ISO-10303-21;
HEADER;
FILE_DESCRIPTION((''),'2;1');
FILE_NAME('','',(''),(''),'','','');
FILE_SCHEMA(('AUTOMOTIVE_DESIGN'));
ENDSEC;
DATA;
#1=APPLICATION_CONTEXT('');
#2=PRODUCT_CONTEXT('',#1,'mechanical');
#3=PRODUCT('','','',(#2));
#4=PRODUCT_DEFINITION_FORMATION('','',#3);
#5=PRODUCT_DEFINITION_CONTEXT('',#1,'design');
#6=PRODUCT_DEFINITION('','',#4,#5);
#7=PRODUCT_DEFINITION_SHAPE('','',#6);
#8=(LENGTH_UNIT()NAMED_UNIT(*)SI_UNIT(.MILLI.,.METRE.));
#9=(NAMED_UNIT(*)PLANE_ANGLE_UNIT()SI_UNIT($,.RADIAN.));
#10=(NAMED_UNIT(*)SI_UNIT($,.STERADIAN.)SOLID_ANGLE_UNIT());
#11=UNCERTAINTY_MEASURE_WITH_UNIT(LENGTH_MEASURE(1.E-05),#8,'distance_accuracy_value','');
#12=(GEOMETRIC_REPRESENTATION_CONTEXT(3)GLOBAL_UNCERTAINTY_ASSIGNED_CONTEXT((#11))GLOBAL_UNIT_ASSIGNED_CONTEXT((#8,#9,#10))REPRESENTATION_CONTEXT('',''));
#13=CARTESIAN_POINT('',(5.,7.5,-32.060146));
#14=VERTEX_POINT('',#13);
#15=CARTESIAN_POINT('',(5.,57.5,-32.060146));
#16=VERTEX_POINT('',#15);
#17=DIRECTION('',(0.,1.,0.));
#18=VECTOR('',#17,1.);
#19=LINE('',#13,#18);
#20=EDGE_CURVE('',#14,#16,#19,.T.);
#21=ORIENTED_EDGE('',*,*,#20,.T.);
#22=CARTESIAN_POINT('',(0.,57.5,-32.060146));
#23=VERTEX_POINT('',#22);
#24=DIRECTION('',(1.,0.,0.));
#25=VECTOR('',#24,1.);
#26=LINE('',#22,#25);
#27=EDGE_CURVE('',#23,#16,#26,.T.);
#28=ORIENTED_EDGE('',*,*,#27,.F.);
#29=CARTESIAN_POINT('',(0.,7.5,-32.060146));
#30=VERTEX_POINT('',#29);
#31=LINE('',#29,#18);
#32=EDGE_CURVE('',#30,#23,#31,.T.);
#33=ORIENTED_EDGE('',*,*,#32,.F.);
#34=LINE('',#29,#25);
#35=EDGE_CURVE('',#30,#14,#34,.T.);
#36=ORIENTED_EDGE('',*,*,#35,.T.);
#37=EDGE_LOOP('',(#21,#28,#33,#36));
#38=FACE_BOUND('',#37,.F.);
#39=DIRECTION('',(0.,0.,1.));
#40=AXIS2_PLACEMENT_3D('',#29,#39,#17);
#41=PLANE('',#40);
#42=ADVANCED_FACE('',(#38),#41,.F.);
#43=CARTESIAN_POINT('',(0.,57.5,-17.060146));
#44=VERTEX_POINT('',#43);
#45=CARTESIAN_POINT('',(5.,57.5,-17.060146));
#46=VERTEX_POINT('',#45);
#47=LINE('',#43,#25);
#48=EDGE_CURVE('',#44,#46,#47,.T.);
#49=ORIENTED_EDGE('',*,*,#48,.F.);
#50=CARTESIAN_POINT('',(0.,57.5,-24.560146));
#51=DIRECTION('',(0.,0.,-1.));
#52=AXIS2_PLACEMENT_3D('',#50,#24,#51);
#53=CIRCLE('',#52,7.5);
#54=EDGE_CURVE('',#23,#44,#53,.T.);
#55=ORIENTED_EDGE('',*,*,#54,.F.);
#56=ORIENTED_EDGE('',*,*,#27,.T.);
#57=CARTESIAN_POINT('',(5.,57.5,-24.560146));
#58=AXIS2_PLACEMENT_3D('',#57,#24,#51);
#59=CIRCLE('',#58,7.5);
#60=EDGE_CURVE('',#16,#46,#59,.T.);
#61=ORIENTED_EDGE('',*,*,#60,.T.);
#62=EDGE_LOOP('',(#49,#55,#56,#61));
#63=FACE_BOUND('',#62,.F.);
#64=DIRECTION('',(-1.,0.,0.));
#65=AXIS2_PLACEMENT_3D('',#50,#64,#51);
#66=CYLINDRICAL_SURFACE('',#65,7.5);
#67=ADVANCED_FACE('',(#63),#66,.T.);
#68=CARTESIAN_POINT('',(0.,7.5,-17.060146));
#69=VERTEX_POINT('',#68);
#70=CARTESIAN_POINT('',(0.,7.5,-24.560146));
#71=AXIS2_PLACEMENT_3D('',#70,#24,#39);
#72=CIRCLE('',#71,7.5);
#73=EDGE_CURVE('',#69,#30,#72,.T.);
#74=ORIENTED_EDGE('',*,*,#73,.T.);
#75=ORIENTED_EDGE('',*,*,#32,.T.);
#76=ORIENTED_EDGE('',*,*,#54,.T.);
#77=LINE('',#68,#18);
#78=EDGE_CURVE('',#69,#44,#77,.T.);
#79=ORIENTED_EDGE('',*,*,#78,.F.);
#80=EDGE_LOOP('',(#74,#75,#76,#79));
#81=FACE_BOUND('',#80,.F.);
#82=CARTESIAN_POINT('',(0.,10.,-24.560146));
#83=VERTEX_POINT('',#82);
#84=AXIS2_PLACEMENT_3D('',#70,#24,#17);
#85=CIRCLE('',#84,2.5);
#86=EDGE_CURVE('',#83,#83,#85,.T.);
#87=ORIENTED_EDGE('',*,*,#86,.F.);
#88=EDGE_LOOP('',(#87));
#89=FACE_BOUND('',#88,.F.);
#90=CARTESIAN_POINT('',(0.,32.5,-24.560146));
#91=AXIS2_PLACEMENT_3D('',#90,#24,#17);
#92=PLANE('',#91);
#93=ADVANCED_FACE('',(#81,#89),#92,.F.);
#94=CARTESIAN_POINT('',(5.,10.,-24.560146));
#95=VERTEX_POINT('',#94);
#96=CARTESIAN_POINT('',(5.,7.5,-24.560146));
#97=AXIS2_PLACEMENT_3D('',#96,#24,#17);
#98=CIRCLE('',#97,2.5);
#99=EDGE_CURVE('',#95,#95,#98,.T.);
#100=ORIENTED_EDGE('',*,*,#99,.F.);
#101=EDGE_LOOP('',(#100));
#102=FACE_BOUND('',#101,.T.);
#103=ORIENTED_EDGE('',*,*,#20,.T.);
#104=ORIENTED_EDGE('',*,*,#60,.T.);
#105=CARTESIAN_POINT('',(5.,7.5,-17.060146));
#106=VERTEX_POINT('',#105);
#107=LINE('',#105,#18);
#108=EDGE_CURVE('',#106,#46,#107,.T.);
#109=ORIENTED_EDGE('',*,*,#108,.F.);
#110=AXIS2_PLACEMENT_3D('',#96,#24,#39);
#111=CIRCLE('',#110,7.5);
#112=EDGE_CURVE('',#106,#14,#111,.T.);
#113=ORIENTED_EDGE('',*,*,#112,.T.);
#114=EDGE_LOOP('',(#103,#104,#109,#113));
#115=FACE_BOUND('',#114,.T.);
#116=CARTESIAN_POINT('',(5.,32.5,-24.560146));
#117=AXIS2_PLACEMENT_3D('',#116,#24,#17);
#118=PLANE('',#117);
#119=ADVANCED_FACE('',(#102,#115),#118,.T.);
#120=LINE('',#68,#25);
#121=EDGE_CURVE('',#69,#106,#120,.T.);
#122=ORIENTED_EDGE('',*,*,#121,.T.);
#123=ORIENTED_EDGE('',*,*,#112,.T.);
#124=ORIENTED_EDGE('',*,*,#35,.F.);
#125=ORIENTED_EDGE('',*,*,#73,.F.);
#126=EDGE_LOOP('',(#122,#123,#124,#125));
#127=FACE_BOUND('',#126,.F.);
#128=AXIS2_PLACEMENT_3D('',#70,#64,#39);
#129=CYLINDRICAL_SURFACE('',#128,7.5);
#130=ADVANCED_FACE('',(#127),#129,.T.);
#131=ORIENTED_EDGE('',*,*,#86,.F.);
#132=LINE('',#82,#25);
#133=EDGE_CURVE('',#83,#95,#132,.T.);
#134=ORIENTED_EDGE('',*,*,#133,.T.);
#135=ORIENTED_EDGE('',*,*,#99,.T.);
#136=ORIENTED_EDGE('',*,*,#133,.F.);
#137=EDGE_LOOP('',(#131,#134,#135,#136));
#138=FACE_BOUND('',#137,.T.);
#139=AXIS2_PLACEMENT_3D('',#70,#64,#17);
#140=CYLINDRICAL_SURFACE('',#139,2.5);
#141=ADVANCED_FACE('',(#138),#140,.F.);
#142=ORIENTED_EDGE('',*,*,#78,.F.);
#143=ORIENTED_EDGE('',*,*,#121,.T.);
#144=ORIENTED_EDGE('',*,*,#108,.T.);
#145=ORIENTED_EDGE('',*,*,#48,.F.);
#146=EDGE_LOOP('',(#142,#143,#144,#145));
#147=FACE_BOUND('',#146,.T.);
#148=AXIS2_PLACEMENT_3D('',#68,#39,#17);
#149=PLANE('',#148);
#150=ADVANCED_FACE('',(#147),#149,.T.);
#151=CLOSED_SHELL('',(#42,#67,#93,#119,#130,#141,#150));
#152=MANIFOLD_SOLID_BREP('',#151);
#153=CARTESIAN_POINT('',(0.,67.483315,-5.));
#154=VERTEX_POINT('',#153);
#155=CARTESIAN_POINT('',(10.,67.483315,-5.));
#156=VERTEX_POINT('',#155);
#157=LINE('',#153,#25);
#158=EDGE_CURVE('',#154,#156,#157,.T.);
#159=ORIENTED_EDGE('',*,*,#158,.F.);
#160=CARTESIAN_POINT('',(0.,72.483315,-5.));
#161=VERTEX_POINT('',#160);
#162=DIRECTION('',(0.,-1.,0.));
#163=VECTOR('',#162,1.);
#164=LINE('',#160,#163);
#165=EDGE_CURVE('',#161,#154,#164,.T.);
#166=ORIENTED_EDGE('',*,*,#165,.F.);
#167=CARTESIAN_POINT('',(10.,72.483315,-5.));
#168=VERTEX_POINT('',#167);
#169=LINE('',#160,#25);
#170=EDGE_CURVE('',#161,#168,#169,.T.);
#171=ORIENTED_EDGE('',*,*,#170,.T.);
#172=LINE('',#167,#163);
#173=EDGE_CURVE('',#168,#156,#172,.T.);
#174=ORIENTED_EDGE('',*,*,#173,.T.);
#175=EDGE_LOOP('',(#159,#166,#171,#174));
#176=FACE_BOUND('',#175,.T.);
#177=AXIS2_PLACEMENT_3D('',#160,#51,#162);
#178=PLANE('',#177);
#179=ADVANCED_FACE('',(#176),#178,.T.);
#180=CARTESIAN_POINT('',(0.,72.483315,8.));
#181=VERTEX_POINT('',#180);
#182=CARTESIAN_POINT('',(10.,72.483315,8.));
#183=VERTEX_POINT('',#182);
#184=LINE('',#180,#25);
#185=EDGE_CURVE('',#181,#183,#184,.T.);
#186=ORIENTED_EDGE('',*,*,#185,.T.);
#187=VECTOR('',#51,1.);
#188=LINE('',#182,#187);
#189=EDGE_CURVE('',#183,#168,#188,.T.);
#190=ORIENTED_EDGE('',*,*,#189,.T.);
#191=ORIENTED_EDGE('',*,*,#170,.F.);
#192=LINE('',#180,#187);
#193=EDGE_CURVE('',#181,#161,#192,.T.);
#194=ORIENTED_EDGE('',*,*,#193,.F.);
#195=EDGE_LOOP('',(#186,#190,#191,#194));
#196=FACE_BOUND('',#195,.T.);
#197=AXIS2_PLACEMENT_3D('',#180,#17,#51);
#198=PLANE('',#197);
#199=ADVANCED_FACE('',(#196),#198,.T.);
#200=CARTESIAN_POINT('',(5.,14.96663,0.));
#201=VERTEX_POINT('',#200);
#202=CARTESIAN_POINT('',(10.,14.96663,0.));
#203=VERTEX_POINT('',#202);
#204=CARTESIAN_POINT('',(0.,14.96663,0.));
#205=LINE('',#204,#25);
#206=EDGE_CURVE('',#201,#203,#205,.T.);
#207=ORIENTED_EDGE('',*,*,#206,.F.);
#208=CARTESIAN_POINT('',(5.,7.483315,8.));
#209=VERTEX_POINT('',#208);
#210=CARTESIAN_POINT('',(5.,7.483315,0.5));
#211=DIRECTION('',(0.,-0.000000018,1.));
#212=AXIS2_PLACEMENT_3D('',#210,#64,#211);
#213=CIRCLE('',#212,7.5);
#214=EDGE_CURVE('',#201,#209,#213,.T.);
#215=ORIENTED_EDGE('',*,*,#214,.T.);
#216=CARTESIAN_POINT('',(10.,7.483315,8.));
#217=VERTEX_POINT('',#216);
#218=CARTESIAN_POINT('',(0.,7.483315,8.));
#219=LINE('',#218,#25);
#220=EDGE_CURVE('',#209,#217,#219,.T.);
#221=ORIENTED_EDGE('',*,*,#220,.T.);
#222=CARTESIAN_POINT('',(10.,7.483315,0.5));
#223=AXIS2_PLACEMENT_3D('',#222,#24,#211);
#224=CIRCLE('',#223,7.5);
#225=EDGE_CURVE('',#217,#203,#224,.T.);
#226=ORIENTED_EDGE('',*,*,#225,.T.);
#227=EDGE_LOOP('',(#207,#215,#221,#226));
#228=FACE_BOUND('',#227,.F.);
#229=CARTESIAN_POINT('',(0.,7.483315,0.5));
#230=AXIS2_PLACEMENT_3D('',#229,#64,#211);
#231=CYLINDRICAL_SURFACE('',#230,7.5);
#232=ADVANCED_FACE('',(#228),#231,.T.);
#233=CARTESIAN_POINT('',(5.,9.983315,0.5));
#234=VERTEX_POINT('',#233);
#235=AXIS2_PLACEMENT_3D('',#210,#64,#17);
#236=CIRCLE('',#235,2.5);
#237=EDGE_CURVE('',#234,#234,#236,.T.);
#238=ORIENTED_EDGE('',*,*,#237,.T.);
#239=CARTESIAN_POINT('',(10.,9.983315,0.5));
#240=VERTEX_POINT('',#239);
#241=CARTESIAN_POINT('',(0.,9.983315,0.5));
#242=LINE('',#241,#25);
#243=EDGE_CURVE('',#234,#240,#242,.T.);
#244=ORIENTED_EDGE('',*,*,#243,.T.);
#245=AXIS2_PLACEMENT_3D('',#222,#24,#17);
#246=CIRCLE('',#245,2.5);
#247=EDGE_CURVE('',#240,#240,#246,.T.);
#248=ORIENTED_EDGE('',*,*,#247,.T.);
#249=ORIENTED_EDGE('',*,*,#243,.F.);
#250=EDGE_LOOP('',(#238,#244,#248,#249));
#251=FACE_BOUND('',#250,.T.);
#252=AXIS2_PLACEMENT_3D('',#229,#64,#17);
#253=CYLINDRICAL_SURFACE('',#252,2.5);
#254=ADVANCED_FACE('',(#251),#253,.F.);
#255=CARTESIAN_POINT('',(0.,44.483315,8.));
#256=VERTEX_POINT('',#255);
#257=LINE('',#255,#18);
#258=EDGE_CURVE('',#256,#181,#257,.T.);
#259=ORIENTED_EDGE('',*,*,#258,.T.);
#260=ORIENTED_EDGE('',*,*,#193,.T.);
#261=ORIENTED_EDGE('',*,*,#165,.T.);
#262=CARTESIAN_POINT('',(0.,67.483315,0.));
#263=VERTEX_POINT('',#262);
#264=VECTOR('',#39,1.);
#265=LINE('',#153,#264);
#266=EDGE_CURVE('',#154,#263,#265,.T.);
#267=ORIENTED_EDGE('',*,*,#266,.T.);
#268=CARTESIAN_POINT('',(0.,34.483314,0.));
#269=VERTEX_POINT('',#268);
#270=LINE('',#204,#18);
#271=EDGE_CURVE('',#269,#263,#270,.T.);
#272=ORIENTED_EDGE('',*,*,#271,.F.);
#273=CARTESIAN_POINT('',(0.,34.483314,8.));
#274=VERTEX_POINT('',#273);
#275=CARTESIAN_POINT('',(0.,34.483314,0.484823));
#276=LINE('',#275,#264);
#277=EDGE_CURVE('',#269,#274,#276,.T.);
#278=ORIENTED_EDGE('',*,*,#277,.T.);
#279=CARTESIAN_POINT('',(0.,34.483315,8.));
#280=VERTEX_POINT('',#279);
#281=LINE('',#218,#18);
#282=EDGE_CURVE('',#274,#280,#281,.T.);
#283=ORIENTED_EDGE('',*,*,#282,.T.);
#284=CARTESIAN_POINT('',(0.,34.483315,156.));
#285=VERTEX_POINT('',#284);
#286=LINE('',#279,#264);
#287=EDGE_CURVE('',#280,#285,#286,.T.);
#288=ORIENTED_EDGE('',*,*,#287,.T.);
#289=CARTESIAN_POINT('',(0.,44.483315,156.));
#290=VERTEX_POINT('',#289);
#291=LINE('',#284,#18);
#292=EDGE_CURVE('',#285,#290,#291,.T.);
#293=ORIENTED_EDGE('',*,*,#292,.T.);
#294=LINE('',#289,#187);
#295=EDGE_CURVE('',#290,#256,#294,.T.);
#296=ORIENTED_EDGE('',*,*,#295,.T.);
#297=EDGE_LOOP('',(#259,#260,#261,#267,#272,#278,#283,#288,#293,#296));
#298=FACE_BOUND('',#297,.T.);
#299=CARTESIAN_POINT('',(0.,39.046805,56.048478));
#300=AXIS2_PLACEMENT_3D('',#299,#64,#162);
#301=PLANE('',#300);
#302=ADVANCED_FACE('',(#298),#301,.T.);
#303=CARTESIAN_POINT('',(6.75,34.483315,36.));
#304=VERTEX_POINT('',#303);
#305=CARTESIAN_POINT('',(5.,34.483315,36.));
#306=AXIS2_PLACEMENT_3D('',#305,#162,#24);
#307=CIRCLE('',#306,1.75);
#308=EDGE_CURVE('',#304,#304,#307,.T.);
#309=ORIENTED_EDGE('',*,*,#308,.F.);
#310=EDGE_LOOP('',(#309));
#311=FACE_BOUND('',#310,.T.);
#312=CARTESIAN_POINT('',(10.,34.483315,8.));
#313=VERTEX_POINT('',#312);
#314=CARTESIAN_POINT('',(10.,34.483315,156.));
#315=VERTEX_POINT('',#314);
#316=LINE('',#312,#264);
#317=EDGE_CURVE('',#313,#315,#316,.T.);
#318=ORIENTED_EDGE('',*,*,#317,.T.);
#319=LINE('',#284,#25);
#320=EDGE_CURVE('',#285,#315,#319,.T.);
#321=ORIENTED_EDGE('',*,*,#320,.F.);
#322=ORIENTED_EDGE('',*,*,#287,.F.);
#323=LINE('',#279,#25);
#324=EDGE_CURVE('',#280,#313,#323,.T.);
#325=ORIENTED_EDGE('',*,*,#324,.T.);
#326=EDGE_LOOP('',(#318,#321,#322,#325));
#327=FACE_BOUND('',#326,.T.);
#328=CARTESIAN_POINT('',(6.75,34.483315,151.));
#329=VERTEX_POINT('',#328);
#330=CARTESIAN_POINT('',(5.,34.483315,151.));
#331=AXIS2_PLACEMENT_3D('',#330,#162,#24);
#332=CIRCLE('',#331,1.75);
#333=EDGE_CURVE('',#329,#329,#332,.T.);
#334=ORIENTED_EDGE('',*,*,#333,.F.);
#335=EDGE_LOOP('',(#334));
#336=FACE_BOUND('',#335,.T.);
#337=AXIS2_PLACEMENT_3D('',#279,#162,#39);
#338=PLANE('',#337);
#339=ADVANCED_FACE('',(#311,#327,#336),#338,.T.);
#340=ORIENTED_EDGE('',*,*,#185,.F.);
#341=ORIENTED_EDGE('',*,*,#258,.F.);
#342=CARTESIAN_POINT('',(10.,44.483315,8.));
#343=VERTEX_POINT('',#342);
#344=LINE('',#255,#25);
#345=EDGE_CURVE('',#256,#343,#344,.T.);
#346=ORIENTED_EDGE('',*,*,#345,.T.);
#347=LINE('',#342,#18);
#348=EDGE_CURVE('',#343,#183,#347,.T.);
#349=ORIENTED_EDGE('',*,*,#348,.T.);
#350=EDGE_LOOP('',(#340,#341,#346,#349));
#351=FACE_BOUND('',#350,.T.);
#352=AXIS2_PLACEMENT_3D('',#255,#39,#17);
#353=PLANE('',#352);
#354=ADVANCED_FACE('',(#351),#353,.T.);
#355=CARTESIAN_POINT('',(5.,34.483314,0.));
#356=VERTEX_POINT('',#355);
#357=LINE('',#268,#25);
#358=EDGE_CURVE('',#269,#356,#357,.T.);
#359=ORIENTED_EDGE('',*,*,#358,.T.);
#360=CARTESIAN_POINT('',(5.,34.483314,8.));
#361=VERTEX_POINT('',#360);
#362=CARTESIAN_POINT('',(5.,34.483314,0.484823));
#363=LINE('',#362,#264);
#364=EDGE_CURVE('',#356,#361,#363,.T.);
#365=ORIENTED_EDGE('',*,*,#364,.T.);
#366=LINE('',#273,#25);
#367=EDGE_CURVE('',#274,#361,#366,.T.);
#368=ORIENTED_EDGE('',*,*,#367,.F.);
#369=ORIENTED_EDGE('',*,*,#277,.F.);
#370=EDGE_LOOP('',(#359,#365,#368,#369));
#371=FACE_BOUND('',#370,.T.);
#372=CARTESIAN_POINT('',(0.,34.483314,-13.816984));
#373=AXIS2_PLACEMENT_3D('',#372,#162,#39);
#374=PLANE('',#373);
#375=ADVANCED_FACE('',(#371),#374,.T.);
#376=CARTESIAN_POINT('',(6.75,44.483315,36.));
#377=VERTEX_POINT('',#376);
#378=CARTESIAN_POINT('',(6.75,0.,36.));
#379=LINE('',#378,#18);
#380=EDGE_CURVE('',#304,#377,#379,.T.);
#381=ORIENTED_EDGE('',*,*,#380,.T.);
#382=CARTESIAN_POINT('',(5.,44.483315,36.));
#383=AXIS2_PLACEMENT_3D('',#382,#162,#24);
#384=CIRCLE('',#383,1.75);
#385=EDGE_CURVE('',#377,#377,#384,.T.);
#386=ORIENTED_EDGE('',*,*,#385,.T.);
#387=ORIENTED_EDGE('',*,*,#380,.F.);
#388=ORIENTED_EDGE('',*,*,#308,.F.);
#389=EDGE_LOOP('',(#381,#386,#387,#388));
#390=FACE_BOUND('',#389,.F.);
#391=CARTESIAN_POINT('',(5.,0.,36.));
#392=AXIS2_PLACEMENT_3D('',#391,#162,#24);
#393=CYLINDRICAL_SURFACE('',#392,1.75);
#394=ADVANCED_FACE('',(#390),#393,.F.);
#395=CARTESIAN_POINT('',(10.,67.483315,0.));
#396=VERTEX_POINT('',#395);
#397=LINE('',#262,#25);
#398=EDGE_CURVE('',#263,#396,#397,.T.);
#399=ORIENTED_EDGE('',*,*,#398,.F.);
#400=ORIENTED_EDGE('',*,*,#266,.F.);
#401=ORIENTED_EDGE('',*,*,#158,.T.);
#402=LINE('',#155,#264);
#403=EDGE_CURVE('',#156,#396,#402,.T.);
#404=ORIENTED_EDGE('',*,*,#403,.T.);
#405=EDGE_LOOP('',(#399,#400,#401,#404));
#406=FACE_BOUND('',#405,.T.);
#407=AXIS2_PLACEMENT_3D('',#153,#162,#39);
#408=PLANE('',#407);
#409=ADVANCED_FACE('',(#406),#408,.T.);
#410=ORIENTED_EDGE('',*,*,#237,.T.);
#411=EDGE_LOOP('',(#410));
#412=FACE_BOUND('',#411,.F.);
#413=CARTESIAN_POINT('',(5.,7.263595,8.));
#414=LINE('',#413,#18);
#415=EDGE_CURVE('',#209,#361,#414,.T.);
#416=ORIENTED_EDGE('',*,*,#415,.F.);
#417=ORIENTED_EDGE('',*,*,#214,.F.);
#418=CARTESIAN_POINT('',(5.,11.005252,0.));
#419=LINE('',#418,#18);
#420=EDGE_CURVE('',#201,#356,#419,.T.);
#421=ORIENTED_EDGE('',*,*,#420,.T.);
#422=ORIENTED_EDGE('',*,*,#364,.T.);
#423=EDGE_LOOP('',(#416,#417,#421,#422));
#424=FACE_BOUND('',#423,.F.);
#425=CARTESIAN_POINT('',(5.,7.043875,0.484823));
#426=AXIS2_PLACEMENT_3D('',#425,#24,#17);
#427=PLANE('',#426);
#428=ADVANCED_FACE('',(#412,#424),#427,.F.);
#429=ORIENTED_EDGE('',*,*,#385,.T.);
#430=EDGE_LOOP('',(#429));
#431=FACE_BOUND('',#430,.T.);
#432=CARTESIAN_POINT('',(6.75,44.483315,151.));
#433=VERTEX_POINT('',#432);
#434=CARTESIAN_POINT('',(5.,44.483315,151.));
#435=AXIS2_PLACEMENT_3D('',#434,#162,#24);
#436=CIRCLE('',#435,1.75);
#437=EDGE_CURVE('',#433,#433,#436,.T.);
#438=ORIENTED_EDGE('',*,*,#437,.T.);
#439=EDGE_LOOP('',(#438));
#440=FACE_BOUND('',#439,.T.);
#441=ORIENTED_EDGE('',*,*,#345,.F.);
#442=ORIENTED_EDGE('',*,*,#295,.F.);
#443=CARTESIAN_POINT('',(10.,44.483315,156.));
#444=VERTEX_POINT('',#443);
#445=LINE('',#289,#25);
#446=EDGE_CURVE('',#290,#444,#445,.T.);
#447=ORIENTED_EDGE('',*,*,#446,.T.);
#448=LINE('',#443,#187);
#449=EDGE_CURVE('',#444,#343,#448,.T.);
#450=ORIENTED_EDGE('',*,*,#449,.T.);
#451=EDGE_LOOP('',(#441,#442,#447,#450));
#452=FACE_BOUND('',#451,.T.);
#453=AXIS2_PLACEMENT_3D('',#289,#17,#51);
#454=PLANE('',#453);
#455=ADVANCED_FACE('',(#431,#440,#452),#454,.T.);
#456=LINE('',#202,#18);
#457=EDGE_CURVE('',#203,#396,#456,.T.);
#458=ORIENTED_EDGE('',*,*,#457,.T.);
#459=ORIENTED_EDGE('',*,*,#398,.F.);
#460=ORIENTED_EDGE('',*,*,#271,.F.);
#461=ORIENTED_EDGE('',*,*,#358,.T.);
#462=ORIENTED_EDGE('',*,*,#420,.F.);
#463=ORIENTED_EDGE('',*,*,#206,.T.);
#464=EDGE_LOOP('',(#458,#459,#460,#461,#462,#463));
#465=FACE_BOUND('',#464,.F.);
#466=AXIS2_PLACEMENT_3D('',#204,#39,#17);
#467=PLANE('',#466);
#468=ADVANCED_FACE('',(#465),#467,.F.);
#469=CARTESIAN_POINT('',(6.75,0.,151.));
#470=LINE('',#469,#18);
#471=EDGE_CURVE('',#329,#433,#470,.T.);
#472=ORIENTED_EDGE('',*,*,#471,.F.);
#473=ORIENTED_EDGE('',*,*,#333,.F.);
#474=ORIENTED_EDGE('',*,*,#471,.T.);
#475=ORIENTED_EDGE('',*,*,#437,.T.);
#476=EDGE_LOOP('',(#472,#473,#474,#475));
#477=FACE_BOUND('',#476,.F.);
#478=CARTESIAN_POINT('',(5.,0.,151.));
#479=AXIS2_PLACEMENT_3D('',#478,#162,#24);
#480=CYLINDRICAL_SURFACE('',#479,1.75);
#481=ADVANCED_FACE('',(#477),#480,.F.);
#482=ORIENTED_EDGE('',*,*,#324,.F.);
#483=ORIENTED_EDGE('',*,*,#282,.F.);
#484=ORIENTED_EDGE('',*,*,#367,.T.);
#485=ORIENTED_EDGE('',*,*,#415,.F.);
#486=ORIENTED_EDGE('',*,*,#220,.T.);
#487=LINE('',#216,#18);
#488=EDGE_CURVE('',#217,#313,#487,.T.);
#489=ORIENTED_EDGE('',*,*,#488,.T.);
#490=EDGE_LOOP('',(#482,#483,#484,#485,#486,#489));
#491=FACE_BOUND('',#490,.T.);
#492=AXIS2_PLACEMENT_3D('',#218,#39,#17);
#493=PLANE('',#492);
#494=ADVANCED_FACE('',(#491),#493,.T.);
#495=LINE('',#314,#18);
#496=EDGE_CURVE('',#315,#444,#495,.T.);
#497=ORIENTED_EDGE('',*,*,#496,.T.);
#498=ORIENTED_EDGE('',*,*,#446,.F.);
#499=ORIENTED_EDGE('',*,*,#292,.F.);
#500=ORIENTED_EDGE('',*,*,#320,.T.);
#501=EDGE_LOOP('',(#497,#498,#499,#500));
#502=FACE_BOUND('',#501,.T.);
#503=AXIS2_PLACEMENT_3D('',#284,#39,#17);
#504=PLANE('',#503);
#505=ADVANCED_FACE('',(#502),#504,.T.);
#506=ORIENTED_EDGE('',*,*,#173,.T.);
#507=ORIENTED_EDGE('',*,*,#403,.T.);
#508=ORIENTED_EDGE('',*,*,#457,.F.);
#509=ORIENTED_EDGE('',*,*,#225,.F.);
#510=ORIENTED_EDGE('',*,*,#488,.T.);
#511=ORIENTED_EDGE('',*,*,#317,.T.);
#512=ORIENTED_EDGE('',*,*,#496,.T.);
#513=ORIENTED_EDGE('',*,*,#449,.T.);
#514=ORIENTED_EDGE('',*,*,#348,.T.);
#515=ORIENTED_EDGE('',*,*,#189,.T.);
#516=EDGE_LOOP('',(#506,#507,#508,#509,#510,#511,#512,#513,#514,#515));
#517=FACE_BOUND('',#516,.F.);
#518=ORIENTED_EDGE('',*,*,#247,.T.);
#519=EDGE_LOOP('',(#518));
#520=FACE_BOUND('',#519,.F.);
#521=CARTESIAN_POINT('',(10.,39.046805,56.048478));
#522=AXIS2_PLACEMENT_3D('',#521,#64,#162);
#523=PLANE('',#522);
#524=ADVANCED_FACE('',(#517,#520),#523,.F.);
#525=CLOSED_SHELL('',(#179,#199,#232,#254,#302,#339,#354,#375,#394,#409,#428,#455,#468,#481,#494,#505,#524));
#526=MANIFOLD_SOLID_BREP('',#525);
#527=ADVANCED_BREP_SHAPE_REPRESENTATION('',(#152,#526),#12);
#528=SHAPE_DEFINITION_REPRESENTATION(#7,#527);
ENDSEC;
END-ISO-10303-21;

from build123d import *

# Parameters (mm, degrees)
SKETCH_R        = 2.5
PAD_DEPTH       = 10
SKETCH001_W     = 54.878879
SKETCH001_H     = 28.603614
POCKET_DEPTH    = 5
SKETCH002_R     = 1.75
POCKET001_DEPTH = 100
SKETCH003_R     = 2.5
PAD001_DEPTH    = 5


with BuildPart() as st_tze:
    # Sketch → Pad (new body)
    with BuildSketch(Plane.YZ):
        with BuildLine():
            Line((34.483315, 156), (44.483315, 156))
            Line((44.483315, 156), (44.483315, 8))
            Line((44.483315, 8), (72.483315, 8))
            Line((72.483315, 8), (72.483315, -5))
            Line((72.483315, -5), (67.483315, -5))
            Line((67.483315, -5), (67.483315, 0))
            Line((14.96663, 0), (67.483315, 0))
            ThreePointArc((7.483315, 8), (2.006089, -4.623475), (14.96663, 0))
            Line((7.483315, 8), (34.483315, 8))
            Line((34.483315, 8), (34.483315, 156))
        make_face()
        with Locations((7.483315, 0.5)):
            Circle(SKETCH_R, mode=Mode.SUBTRACT)
    extrude(amount=PAD_DEPTH)

    # Sketch001 → Pocket (cut)
    with BuildSketch(Plane.YZ):
        with Locations((7.043875, 0.484823)):
            Rectangle(SKETCH001_W, SKETCH001_H)
    extrude(amount=POCKET_DEPTH, mode=Mode.SUBTRACT)

    # Sketch002 → Pocket001 (cut)
    with BuildSketch(Plane.XZ):
        with Locations((5, 151)):
            Circle(SKETCH002_R)
        with Locations((5, 36)):
            Circle(SKETCH002_R)
    extrude(amount=-POCKET001_DEPTH, mode=Mode.SUBTRACT)


with BuildPart() as beinchen:
    # Sketch003 → Pad001 (new body)
    with BuildSketch(Plane.YZ):
        with BuildLine():
            ThreePointArc((7.5, -17.060146), (0, -24.560146), (7.5, -32.060146))
            Line((7.5, -32.060146), (57.5, -32.060146))
            ThreePointArc((57.5, -32.060146), (65, -24.560146), (57.5, -17.060146))
            Line((7.5, -17.060146), (57.5, -17.060146))
        make_face()
        with Locations((7.5, -24.560146)):
            Circle(SKETCH003_R, mode=Mode.SUBTRACT)
    extrude(amount=PAD001_DEPTH)


solid = Compound([st_tze.part, beinchen.part])
